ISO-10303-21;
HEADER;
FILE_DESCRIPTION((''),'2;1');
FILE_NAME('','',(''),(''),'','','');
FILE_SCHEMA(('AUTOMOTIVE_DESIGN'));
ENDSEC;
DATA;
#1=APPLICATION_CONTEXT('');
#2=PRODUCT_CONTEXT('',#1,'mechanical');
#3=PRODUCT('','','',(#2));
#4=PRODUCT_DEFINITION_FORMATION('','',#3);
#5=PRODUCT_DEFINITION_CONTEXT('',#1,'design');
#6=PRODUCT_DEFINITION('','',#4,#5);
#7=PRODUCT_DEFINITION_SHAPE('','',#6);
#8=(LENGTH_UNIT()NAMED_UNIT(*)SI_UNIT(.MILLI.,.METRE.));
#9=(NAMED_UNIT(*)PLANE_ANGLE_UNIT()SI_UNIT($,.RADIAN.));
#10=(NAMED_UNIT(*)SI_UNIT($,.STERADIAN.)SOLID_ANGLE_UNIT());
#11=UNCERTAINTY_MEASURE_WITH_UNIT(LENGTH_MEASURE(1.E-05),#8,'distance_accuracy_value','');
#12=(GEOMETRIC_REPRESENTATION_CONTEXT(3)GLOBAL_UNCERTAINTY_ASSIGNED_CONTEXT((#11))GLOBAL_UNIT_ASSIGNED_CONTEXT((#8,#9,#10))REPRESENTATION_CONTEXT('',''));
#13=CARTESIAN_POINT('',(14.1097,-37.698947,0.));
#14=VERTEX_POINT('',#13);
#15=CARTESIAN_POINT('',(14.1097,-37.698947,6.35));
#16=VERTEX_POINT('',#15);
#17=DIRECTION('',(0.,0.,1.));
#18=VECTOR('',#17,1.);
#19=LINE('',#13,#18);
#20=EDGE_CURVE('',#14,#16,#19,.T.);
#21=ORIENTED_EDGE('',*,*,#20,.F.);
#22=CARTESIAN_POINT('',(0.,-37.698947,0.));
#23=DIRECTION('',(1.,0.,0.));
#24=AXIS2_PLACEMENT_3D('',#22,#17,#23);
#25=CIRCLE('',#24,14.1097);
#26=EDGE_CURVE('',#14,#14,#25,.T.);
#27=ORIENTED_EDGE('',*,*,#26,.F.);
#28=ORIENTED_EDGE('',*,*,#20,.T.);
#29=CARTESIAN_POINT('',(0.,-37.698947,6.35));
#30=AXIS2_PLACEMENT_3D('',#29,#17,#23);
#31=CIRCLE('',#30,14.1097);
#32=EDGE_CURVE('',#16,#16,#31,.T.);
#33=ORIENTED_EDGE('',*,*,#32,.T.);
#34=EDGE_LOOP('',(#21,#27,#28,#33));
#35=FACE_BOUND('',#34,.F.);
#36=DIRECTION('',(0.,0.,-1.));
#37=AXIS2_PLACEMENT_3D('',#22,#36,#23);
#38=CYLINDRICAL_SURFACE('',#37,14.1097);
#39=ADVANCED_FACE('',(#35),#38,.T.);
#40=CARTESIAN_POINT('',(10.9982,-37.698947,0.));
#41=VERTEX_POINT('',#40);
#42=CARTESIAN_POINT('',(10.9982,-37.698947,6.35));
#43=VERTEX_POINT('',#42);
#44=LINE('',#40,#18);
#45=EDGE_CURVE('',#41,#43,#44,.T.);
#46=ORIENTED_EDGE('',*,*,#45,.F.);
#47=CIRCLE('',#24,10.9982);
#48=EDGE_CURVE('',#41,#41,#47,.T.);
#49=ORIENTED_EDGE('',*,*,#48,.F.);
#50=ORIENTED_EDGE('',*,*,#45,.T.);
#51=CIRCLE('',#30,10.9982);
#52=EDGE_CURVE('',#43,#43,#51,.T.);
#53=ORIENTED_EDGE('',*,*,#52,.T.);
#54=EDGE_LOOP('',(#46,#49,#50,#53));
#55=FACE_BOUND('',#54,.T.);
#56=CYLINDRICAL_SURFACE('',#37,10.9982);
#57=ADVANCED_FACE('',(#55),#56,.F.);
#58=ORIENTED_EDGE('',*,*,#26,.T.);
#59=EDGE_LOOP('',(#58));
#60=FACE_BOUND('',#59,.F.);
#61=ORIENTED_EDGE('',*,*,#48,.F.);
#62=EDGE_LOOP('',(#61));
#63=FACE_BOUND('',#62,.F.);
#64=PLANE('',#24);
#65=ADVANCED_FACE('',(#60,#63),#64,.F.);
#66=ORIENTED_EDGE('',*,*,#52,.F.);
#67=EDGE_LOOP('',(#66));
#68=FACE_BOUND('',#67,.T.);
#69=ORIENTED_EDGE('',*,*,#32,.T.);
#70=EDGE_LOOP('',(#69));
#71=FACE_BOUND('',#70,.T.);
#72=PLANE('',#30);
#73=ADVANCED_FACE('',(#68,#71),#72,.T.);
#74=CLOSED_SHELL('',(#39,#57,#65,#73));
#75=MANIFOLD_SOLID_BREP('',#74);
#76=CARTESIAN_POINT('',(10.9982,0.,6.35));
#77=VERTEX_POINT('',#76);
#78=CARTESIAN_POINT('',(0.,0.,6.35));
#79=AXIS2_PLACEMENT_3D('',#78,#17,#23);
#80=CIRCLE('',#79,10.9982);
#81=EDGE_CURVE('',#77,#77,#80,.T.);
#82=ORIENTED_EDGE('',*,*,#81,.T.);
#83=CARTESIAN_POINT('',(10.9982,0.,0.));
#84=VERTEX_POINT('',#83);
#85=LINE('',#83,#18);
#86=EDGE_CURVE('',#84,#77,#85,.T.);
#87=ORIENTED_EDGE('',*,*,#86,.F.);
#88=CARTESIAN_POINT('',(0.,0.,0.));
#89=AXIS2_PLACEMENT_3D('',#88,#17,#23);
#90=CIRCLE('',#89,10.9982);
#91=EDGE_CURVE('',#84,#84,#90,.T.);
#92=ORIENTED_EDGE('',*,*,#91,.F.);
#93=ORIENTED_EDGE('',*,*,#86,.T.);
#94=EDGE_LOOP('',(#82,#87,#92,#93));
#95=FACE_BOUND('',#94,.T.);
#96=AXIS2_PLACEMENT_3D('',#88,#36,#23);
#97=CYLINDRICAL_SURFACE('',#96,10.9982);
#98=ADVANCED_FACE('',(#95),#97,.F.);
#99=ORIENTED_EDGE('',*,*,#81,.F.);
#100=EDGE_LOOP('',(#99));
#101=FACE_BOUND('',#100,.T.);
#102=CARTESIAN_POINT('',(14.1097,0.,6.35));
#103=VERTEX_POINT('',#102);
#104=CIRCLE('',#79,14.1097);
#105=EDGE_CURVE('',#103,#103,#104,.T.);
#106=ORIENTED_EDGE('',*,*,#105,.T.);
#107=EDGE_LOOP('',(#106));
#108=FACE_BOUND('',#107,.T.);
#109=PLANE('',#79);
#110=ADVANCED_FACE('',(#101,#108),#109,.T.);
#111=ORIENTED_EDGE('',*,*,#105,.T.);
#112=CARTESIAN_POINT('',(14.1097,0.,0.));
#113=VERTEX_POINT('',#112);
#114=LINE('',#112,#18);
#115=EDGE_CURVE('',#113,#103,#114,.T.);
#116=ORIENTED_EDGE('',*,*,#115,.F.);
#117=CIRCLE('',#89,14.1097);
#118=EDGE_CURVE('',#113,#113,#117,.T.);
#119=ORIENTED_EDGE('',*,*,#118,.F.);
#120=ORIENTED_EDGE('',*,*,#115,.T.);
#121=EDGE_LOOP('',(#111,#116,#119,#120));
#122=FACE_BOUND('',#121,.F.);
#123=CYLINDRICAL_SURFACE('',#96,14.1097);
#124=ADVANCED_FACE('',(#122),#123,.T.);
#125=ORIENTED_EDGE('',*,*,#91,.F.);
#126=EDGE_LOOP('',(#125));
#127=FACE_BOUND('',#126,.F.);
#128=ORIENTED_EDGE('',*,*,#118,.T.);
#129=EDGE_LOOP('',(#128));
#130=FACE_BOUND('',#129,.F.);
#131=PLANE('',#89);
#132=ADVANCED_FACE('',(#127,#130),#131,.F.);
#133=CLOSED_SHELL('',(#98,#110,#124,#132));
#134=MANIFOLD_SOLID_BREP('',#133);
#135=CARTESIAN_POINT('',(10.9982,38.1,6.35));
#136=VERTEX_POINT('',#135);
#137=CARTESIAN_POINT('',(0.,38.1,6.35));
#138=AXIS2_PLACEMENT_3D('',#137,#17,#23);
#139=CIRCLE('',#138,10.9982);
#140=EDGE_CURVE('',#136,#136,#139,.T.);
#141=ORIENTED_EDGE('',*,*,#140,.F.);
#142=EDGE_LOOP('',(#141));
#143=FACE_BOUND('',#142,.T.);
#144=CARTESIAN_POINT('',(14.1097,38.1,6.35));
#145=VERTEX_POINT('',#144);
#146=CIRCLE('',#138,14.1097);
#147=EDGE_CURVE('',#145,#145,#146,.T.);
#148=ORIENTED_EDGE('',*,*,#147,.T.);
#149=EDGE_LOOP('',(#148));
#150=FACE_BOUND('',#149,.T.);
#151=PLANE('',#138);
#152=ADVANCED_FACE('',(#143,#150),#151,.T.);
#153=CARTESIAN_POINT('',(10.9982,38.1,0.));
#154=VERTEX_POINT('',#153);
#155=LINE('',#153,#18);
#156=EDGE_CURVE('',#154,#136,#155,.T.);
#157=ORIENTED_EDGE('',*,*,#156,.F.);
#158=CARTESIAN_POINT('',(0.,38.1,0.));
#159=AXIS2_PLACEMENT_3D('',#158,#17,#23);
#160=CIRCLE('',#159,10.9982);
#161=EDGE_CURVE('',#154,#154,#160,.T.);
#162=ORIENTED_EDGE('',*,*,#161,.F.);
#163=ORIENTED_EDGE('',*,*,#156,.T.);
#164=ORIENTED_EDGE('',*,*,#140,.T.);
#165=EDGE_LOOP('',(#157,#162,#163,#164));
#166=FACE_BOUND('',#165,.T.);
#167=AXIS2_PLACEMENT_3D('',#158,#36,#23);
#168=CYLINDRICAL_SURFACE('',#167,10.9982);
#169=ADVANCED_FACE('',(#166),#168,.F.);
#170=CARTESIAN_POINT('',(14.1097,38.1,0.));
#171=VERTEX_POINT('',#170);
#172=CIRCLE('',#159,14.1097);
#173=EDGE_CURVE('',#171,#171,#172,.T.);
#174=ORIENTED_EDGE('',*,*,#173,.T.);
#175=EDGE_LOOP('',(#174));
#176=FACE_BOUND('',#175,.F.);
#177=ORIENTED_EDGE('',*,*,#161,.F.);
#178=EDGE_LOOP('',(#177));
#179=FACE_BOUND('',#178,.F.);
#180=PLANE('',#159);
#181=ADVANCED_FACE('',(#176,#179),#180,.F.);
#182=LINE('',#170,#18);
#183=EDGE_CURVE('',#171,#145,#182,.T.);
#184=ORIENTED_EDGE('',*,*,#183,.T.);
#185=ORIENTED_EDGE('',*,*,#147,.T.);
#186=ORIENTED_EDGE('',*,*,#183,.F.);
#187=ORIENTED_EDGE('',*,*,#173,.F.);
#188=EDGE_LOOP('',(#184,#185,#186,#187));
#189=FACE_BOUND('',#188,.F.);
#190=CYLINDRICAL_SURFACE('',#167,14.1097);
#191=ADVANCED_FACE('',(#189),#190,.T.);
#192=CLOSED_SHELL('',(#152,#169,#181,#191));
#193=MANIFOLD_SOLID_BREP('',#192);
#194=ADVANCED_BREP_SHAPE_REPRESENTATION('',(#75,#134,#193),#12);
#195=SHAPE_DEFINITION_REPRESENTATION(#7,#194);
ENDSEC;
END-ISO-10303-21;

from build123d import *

# Parameters (mm, degrees)
F0_R     = 14.1097
F0_R_2   = 10.9982
F1_DEPTH = 6.35


with BuildPart() as f1:
    # F0 (on Top) → F1 (new body)
    with BuildSketch(Plane.XY):
        with Locations((0, 38.1)):
            Circle(F0_R)
        with Locations((0, 38.1)):
            Circle(F0_R_2, mode=Mode.SUBTRACT)
        with Locations((0, -37.698947)):
            Circle(F0_R)
        with Locations((0, -37.698947)):
            Circle(F0_R_2, mode=Mode.SUBTRACT)
        Circle(F0_R)
        Circle(F0_R_2, mode=Mode.SUBTRACT)
    extrude(amount=F1_DEPTH)


solid = f1.part
